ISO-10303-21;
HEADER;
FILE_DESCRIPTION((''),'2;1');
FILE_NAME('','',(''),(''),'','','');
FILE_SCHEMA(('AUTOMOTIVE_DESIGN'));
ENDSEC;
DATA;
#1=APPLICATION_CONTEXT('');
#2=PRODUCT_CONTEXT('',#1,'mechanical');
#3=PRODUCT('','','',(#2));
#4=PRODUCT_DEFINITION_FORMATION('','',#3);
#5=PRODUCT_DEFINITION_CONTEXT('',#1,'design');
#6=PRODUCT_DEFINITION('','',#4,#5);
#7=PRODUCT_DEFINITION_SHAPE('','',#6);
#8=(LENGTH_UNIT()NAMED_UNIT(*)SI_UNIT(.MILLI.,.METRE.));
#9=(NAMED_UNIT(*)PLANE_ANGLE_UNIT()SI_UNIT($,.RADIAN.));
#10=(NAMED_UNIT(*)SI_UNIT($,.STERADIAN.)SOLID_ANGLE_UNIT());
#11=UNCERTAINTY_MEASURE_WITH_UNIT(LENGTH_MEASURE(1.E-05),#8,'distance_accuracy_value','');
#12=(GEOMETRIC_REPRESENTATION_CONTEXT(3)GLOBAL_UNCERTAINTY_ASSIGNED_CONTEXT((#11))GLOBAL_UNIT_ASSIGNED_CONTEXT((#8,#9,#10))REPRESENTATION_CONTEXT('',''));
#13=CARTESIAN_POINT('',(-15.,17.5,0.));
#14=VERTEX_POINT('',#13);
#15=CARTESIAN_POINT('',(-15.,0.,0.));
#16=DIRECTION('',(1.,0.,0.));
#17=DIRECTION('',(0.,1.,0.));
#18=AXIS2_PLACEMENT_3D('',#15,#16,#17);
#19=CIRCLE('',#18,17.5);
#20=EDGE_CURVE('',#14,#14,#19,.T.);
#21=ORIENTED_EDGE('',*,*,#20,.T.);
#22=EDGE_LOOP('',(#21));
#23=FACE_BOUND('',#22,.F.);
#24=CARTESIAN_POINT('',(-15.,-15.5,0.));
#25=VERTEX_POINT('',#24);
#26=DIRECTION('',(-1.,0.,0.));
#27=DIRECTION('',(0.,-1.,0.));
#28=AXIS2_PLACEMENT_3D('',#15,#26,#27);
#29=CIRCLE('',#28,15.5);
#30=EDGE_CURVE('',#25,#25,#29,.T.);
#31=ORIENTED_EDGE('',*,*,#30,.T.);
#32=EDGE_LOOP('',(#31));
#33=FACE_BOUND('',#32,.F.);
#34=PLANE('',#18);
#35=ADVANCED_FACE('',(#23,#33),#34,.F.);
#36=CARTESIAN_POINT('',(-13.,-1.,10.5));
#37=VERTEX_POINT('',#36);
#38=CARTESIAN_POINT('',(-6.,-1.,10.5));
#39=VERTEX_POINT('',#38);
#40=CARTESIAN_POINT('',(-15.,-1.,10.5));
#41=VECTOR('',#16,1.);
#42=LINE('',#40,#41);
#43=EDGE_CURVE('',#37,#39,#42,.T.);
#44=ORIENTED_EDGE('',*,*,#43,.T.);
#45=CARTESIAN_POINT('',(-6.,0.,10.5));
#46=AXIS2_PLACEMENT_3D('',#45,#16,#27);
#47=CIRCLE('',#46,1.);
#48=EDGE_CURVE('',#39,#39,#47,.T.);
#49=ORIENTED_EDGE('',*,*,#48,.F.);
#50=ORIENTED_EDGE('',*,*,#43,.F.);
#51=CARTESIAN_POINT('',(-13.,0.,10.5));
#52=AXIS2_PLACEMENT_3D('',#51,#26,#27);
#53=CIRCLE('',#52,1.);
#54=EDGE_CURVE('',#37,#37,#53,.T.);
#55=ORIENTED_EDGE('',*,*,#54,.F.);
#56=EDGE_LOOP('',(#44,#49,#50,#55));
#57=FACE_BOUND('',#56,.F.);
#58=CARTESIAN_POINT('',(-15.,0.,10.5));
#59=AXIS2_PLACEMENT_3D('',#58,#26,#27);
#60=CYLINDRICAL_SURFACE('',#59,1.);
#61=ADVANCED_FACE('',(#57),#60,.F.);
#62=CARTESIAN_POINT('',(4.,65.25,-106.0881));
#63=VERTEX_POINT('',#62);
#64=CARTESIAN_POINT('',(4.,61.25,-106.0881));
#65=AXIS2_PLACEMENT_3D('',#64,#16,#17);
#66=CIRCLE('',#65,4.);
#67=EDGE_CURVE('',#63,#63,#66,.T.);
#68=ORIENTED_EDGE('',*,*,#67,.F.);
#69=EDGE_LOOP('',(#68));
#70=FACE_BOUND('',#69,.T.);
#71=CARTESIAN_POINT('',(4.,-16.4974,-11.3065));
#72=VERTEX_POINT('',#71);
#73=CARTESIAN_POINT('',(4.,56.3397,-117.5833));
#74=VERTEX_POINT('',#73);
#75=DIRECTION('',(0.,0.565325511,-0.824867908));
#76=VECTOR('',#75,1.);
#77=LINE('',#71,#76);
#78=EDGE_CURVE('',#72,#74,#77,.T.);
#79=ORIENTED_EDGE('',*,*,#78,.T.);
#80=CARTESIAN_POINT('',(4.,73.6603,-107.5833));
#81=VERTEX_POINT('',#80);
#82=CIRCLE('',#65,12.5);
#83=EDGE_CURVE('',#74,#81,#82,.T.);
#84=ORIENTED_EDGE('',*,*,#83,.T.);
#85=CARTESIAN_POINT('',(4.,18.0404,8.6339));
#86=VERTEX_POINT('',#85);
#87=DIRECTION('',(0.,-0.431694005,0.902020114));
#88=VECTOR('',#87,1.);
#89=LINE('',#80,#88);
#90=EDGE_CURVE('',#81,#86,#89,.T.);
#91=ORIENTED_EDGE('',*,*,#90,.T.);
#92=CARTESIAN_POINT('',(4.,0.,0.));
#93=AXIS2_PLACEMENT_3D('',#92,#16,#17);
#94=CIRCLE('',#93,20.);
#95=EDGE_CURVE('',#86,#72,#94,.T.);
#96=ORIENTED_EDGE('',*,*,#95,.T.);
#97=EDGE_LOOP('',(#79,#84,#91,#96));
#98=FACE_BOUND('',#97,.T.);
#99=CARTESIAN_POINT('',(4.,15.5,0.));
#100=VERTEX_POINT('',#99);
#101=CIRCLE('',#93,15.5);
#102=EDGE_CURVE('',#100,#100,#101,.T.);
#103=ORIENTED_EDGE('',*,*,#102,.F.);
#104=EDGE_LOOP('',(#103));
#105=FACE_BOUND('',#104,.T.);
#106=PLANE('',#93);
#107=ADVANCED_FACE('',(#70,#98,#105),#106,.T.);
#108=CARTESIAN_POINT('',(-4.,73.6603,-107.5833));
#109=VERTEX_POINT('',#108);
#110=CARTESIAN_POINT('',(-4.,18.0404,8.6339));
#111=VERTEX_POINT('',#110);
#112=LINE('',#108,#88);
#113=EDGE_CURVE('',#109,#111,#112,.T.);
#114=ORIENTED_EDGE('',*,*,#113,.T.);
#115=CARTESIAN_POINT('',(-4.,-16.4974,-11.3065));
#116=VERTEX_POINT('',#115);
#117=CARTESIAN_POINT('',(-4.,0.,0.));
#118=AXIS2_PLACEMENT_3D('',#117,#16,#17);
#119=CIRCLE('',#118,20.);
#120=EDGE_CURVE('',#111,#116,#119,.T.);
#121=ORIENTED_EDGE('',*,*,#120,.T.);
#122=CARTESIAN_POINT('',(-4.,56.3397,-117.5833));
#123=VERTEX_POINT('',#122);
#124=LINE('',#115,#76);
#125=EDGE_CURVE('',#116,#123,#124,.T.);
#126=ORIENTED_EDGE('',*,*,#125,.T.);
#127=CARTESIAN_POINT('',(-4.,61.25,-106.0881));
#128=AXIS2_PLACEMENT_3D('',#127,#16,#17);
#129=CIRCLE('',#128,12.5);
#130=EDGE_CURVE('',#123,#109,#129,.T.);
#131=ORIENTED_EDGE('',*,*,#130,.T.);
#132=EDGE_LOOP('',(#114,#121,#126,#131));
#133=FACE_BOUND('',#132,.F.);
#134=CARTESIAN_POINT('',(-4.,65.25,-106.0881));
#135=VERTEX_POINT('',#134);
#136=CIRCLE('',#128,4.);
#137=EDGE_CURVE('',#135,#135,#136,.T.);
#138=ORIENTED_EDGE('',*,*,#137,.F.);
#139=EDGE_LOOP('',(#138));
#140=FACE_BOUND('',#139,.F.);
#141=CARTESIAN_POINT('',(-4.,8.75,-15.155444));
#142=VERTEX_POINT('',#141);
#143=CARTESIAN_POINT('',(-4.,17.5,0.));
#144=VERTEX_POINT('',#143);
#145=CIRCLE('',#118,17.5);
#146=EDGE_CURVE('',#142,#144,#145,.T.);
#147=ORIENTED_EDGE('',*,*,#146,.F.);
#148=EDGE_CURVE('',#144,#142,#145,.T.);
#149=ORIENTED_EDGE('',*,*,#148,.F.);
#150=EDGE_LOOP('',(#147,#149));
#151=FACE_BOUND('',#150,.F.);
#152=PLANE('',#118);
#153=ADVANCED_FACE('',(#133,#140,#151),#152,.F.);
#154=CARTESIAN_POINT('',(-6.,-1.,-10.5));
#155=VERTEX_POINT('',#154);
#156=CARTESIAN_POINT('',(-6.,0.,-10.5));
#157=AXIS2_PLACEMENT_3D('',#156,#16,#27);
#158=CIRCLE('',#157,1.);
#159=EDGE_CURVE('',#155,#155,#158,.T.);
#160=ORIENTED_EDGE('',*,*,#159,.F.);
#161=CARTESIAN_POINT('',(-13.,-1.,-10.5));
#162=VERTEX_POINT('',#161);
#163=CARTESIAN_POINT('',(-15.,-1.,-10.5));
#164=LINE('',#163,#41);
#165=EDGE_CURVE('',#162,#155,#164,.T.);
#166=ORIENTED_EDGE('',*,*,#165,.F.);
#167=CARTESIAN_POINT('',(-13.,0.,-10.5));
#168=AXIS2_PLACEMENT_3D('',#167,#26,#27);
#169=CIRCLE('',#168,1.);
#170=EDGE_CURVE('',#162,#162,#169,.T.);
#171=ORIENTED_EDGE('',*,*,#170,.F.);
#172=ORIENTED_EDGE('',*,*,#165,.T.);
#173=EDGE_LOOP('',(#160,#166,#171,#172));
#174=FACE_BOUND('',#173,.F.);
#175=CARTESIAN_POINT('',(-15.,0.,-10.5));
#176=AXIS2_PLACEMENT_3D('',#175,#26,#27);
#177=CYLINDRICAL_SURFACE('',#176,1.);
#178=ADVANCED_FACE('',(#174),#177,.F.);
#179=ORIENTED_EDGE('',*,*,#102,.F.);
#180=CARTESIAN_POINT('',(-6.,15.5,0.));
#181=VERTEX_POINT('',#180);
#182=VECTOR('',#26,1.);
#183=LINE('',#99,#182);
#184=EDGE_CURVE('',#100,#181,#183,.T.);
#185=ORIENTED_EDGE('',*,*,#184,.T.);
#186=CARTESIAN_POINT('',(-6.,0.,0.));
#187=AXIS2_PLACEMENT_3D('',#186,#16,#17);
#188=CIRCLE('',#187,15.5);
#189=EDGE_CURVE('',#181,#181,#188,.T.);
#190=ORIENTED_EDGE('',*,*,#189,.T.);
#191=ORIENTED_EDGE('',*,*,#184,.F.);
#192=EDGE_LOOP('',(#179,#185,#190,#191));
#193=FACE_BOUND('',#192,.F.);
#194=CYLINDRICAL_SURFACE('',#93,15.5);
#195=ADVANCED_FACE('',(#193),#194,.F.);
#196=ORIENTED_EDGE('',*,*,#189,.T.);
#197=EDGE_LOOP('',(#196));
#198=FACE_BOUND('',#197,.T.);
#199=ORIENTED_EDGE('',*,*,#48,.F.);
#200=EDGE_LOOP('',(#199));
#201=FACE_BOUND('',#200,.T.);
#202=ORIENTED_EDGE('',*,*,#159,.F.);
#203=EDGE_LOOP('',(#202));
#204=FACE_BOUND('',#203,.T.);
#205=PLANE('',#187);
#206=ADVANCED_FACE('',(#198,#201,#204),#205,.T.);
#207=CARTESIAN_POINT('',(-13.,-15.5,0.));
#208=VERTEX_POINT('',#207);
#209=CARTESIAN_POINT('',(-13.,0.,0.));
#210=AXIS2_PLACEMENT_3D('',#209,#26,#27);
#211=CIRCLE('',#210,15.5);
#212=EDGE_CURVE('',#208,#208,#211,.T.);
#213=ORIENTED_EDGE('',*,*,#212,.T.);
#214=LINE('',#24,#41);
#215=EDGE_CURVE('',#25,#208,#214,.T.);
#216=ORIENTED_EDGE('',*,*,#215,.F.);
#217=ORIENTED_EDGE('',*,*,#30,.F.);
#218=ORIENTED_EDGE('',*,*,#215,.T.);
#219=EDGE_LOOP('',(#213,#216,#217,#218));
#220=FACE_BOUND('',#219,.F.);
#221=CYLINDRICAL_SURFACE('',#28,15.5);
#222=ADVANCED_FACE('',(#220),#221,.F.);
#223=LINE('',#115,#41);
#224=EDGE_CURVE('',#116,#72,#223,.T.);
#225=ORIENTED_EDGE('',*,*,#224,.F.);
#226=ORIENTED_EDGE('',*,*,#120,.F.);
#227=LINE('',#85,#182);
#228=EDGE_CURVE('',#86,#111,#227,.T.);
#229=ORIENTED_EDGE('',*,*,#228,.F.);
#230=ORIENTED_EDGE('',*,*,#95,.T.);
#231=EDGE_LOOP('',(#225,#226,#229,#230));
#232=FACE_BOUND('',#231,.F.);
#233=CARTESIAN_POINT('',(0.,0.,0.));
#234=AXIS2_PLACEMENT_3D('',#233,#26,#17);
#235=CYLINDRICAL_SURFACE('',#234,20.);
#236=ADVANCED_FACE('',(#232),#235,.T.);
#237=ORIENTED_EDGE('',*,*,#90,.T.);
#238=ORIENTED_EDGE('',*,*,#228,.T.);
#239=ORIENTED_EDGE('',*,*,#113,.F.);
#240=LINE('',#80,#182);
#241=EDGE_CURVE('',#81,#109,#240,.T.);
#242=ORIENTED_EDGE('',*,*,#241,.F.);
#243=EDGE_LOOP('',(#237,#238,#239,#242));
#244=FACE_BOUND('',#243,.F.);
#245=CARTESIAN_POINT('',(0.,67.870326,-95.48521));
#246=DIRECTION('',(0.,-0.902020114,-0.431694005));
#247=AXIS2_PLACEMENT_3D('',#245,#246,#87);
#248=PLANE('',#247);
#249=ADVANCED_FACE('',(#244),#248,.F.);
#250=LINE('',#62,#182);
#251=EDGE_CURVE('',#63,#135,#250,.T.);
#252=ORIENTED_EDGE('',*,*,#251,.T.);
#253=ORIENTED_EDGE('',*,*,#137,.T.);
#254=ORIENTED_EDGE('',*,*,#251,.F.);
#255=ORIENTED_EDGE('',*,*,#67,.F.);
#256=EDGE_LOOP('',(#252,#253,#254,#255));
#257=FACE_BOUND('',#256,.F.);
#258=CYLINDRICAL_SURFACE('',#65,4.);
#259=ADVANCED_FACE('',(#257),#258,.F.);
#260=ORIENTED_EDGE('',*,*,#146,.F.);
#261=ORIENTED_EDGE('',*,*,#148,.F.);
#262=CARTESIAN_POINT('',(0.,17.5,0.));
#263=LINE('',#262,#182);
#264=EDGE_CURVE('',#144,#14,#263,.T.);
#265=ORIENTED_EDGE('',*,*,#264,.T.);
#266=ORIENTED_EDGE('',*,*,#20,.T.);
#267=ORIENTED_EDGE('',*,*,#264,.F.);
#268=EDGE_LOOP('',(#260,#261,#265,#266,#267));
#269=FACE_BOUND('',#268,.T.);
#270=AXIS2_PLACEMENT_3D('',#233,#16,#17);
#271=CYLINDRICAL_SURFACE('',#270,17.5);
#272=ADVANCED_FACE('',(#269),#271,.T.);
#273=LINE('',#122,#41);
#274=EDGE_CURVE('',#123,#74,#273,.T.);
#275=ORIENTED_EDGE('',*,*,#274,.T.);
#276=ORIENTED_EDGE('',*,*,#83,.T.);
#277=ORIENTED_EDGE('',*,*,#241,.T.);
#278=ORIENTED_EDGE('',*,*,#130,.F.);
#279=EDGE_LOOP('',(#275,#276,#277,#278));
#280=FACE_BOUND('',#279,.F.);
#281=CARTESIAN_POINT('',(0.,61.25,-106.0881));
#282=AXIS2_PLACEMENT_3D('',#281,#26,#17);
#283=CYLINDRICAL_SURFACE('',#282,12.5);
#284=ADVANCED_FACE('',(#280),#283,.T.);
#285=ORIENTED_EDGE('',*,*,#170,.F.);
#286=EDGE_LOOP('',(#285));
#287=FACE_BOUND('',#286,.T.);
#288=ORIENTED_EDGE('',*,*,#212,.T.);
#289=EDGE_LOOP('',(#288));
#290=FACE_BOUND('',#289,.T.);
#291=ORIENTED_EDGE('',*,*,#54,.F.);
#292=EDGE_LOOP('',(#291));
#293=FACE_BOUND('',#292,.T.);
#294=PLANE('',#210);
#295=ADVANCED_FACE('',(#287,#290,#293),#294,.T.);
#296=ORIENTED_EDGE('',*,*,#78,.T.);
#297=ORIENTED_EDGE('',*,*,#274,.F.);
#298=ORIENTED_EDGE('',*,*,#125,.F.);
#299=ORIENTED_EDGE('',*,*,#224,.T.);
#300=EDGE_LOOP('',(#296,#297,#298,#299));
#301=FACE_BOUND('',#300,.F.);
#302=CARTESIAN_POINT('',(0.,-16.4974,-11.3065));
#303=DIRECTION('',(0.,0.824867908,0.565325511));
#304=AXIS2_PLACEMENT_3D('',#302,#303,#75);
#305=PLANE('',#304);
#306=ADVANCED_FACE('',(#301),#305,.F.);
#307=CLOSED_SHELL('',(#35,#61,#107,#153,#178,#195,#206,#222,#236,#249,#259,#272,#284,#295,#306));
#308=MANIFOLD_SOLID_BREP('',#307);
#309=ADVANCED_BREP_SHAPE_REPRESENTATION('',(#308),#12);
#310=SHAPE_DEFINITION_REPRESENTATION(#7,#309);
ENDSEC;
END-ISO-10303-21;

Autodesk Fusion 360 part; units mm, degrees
sketch "Sketch1" plane through (0, 0, 0) normal (1, 0, 0) x (0, 1, 0)
  circle A0 centre (0, 0) radius 20
  line L0 (0, 0) -> (65, -112.5833)
  line L1 (0, 0) -> (130, 0) construction
  line L2 (-16.4974, -11.3065) -> (56.3397, -117.5833)
  line L3 (56.3397, -117.5833) -> (65, -112.5833)
  line L4 (65, -112.5833) -> (73.6603, -107.5833)
  line L5 (73.6603, -107.5833) -> (18.0404, 8.6339)
  circle A1 centre (0, 0) radius 17.5
  circle A2 centre (61.25, -106.0881) radius 12.5
  circle A3 centre (61.25, -106.0881) radius 7.5
  dimension "d1" = 40
  dimension "d2" = 60
  dimension "d3" = 130
  dimension "d4" = 10
  dimension "d5" = 10
  dimension "d6" = 35
  dimension "d7" = 25
  dimension "d8" = 15
extrude "Extrude1" add sketch "Sketch1" along normal mid plane 8 contours A1 | A0 | A0 L0 L5 A2 | A0 L0 L2 A2 | L0 L4 L5 A2 A3 | L0 L2 L3 A2 A3 | L3 L4 A2 | L0 A3 | L0 A3
extrude "Extrude2" add sketch "Sketch1" against normal blind 15 contours A1
extrude "Extrude3" add sketch "Sketch1" along normal mid plane 20 contours L0 A3 | L0 A3
extrude "Extrude4" cut 1 faces at (10, 60.7061, -108.3596) along direction (-1, 0, 0) blind 6
extrude "Extrude5" cut 1 faces at (-10, 60.6937, -103.8711) along direction (1, 0, 0) blind 6
sketch "Sketch2" plane through (-15, 0, 0) normal (-1, 0, 0) x (0, -1, 0)
  circle A0 centre (0, 0) radius 17.5
  line L0 (0, 0) -> (0, 10.5)
  line L1 (0, 0) -> (0, -10.5)
  circle A1 centre (0, 10.5) radius 1
  circle A2 centre (0, -10.5) radius 1
  dimension "d19" = 10.5
  dimension "d20" = 10.5
  dimension "d21" = 2
  dimension "d22" = 2
extrude "Extrude6" cut sketch "Sketch2" against normal blind 26 contours A1 | A2
sketch "Sketch3" plane through (-15, 0, 0) normal (-1, 0, 0) x (0, -1, 0)
  circle A0 centre (0, 10.5) radius 1
  circle A1 centre (0, -10.5) radius 1
  circle A2 centre (0, 0) radius 17.5
  circle A3 centre (0, 0) radius 15.5
  dimension "d25" = 31
extrude "Extrude7" cut sketch "Sketch3" against normal blind 2 contours A3
sketch "Sketch4" plane through (4, 0, 0) normal (1, 0, 0) x (0, 1, 0)
  circle A0 centre (0, 10.5) radius 1
  circle A1 centre (0, -10.5) radius 1
  line L0 (73.6603, -107.5833) -> (18.0404, 8.6339)
  arc A2 (18.0404, 8.6339) -> (-16.4974, -11.3065) centre (0, 0) ccw
  line L1 (-16.4974, -11.3065) -> (56.3397, -117.5833)
  arc A3 (56.3397, -117.5833) -> (73.6603, -107.5833) centre (61.25, -106.0881) ccw
  circle A4 centre (0, 0) radius 15.5
  circle A5 centre (0, 0) radius 15.5
extrude "Extrude8" cut sketch "Sketch4" against normal blind 10 contours A4 A5
sketch "Sketch5" plane through (4, 0, 0) normal (1, 0, 0) x (0, 1, 0)
  circle A0 centre (0, 0) radius 15.5
  line L0 (73.6603, -107.5833) -> (18.0404, 8.6339)
  arc A1 (18.0404, 8.6339) -> (-16.4974, -11.3065) centre (0, 0) ccw
  line L1 (-16.4974, -11.3065) -> (56.3397, -117.5833)
  arc A2 (56.3397, -117.5833) -> (73.6603, -107.5833) centre (61.25, -106.0881) ccw
  circle A3 centre (61.25, -106.0881) radius 12.5
  circle A4 centre (61.25, -106.0881) radius 4
  dimension "d30" = 8
extrude "Extrude9" cut sketch "Sketch5" against normal blind 10 contours A4
equation "d19 = ( 21 / 2 ) * 1 mm"
